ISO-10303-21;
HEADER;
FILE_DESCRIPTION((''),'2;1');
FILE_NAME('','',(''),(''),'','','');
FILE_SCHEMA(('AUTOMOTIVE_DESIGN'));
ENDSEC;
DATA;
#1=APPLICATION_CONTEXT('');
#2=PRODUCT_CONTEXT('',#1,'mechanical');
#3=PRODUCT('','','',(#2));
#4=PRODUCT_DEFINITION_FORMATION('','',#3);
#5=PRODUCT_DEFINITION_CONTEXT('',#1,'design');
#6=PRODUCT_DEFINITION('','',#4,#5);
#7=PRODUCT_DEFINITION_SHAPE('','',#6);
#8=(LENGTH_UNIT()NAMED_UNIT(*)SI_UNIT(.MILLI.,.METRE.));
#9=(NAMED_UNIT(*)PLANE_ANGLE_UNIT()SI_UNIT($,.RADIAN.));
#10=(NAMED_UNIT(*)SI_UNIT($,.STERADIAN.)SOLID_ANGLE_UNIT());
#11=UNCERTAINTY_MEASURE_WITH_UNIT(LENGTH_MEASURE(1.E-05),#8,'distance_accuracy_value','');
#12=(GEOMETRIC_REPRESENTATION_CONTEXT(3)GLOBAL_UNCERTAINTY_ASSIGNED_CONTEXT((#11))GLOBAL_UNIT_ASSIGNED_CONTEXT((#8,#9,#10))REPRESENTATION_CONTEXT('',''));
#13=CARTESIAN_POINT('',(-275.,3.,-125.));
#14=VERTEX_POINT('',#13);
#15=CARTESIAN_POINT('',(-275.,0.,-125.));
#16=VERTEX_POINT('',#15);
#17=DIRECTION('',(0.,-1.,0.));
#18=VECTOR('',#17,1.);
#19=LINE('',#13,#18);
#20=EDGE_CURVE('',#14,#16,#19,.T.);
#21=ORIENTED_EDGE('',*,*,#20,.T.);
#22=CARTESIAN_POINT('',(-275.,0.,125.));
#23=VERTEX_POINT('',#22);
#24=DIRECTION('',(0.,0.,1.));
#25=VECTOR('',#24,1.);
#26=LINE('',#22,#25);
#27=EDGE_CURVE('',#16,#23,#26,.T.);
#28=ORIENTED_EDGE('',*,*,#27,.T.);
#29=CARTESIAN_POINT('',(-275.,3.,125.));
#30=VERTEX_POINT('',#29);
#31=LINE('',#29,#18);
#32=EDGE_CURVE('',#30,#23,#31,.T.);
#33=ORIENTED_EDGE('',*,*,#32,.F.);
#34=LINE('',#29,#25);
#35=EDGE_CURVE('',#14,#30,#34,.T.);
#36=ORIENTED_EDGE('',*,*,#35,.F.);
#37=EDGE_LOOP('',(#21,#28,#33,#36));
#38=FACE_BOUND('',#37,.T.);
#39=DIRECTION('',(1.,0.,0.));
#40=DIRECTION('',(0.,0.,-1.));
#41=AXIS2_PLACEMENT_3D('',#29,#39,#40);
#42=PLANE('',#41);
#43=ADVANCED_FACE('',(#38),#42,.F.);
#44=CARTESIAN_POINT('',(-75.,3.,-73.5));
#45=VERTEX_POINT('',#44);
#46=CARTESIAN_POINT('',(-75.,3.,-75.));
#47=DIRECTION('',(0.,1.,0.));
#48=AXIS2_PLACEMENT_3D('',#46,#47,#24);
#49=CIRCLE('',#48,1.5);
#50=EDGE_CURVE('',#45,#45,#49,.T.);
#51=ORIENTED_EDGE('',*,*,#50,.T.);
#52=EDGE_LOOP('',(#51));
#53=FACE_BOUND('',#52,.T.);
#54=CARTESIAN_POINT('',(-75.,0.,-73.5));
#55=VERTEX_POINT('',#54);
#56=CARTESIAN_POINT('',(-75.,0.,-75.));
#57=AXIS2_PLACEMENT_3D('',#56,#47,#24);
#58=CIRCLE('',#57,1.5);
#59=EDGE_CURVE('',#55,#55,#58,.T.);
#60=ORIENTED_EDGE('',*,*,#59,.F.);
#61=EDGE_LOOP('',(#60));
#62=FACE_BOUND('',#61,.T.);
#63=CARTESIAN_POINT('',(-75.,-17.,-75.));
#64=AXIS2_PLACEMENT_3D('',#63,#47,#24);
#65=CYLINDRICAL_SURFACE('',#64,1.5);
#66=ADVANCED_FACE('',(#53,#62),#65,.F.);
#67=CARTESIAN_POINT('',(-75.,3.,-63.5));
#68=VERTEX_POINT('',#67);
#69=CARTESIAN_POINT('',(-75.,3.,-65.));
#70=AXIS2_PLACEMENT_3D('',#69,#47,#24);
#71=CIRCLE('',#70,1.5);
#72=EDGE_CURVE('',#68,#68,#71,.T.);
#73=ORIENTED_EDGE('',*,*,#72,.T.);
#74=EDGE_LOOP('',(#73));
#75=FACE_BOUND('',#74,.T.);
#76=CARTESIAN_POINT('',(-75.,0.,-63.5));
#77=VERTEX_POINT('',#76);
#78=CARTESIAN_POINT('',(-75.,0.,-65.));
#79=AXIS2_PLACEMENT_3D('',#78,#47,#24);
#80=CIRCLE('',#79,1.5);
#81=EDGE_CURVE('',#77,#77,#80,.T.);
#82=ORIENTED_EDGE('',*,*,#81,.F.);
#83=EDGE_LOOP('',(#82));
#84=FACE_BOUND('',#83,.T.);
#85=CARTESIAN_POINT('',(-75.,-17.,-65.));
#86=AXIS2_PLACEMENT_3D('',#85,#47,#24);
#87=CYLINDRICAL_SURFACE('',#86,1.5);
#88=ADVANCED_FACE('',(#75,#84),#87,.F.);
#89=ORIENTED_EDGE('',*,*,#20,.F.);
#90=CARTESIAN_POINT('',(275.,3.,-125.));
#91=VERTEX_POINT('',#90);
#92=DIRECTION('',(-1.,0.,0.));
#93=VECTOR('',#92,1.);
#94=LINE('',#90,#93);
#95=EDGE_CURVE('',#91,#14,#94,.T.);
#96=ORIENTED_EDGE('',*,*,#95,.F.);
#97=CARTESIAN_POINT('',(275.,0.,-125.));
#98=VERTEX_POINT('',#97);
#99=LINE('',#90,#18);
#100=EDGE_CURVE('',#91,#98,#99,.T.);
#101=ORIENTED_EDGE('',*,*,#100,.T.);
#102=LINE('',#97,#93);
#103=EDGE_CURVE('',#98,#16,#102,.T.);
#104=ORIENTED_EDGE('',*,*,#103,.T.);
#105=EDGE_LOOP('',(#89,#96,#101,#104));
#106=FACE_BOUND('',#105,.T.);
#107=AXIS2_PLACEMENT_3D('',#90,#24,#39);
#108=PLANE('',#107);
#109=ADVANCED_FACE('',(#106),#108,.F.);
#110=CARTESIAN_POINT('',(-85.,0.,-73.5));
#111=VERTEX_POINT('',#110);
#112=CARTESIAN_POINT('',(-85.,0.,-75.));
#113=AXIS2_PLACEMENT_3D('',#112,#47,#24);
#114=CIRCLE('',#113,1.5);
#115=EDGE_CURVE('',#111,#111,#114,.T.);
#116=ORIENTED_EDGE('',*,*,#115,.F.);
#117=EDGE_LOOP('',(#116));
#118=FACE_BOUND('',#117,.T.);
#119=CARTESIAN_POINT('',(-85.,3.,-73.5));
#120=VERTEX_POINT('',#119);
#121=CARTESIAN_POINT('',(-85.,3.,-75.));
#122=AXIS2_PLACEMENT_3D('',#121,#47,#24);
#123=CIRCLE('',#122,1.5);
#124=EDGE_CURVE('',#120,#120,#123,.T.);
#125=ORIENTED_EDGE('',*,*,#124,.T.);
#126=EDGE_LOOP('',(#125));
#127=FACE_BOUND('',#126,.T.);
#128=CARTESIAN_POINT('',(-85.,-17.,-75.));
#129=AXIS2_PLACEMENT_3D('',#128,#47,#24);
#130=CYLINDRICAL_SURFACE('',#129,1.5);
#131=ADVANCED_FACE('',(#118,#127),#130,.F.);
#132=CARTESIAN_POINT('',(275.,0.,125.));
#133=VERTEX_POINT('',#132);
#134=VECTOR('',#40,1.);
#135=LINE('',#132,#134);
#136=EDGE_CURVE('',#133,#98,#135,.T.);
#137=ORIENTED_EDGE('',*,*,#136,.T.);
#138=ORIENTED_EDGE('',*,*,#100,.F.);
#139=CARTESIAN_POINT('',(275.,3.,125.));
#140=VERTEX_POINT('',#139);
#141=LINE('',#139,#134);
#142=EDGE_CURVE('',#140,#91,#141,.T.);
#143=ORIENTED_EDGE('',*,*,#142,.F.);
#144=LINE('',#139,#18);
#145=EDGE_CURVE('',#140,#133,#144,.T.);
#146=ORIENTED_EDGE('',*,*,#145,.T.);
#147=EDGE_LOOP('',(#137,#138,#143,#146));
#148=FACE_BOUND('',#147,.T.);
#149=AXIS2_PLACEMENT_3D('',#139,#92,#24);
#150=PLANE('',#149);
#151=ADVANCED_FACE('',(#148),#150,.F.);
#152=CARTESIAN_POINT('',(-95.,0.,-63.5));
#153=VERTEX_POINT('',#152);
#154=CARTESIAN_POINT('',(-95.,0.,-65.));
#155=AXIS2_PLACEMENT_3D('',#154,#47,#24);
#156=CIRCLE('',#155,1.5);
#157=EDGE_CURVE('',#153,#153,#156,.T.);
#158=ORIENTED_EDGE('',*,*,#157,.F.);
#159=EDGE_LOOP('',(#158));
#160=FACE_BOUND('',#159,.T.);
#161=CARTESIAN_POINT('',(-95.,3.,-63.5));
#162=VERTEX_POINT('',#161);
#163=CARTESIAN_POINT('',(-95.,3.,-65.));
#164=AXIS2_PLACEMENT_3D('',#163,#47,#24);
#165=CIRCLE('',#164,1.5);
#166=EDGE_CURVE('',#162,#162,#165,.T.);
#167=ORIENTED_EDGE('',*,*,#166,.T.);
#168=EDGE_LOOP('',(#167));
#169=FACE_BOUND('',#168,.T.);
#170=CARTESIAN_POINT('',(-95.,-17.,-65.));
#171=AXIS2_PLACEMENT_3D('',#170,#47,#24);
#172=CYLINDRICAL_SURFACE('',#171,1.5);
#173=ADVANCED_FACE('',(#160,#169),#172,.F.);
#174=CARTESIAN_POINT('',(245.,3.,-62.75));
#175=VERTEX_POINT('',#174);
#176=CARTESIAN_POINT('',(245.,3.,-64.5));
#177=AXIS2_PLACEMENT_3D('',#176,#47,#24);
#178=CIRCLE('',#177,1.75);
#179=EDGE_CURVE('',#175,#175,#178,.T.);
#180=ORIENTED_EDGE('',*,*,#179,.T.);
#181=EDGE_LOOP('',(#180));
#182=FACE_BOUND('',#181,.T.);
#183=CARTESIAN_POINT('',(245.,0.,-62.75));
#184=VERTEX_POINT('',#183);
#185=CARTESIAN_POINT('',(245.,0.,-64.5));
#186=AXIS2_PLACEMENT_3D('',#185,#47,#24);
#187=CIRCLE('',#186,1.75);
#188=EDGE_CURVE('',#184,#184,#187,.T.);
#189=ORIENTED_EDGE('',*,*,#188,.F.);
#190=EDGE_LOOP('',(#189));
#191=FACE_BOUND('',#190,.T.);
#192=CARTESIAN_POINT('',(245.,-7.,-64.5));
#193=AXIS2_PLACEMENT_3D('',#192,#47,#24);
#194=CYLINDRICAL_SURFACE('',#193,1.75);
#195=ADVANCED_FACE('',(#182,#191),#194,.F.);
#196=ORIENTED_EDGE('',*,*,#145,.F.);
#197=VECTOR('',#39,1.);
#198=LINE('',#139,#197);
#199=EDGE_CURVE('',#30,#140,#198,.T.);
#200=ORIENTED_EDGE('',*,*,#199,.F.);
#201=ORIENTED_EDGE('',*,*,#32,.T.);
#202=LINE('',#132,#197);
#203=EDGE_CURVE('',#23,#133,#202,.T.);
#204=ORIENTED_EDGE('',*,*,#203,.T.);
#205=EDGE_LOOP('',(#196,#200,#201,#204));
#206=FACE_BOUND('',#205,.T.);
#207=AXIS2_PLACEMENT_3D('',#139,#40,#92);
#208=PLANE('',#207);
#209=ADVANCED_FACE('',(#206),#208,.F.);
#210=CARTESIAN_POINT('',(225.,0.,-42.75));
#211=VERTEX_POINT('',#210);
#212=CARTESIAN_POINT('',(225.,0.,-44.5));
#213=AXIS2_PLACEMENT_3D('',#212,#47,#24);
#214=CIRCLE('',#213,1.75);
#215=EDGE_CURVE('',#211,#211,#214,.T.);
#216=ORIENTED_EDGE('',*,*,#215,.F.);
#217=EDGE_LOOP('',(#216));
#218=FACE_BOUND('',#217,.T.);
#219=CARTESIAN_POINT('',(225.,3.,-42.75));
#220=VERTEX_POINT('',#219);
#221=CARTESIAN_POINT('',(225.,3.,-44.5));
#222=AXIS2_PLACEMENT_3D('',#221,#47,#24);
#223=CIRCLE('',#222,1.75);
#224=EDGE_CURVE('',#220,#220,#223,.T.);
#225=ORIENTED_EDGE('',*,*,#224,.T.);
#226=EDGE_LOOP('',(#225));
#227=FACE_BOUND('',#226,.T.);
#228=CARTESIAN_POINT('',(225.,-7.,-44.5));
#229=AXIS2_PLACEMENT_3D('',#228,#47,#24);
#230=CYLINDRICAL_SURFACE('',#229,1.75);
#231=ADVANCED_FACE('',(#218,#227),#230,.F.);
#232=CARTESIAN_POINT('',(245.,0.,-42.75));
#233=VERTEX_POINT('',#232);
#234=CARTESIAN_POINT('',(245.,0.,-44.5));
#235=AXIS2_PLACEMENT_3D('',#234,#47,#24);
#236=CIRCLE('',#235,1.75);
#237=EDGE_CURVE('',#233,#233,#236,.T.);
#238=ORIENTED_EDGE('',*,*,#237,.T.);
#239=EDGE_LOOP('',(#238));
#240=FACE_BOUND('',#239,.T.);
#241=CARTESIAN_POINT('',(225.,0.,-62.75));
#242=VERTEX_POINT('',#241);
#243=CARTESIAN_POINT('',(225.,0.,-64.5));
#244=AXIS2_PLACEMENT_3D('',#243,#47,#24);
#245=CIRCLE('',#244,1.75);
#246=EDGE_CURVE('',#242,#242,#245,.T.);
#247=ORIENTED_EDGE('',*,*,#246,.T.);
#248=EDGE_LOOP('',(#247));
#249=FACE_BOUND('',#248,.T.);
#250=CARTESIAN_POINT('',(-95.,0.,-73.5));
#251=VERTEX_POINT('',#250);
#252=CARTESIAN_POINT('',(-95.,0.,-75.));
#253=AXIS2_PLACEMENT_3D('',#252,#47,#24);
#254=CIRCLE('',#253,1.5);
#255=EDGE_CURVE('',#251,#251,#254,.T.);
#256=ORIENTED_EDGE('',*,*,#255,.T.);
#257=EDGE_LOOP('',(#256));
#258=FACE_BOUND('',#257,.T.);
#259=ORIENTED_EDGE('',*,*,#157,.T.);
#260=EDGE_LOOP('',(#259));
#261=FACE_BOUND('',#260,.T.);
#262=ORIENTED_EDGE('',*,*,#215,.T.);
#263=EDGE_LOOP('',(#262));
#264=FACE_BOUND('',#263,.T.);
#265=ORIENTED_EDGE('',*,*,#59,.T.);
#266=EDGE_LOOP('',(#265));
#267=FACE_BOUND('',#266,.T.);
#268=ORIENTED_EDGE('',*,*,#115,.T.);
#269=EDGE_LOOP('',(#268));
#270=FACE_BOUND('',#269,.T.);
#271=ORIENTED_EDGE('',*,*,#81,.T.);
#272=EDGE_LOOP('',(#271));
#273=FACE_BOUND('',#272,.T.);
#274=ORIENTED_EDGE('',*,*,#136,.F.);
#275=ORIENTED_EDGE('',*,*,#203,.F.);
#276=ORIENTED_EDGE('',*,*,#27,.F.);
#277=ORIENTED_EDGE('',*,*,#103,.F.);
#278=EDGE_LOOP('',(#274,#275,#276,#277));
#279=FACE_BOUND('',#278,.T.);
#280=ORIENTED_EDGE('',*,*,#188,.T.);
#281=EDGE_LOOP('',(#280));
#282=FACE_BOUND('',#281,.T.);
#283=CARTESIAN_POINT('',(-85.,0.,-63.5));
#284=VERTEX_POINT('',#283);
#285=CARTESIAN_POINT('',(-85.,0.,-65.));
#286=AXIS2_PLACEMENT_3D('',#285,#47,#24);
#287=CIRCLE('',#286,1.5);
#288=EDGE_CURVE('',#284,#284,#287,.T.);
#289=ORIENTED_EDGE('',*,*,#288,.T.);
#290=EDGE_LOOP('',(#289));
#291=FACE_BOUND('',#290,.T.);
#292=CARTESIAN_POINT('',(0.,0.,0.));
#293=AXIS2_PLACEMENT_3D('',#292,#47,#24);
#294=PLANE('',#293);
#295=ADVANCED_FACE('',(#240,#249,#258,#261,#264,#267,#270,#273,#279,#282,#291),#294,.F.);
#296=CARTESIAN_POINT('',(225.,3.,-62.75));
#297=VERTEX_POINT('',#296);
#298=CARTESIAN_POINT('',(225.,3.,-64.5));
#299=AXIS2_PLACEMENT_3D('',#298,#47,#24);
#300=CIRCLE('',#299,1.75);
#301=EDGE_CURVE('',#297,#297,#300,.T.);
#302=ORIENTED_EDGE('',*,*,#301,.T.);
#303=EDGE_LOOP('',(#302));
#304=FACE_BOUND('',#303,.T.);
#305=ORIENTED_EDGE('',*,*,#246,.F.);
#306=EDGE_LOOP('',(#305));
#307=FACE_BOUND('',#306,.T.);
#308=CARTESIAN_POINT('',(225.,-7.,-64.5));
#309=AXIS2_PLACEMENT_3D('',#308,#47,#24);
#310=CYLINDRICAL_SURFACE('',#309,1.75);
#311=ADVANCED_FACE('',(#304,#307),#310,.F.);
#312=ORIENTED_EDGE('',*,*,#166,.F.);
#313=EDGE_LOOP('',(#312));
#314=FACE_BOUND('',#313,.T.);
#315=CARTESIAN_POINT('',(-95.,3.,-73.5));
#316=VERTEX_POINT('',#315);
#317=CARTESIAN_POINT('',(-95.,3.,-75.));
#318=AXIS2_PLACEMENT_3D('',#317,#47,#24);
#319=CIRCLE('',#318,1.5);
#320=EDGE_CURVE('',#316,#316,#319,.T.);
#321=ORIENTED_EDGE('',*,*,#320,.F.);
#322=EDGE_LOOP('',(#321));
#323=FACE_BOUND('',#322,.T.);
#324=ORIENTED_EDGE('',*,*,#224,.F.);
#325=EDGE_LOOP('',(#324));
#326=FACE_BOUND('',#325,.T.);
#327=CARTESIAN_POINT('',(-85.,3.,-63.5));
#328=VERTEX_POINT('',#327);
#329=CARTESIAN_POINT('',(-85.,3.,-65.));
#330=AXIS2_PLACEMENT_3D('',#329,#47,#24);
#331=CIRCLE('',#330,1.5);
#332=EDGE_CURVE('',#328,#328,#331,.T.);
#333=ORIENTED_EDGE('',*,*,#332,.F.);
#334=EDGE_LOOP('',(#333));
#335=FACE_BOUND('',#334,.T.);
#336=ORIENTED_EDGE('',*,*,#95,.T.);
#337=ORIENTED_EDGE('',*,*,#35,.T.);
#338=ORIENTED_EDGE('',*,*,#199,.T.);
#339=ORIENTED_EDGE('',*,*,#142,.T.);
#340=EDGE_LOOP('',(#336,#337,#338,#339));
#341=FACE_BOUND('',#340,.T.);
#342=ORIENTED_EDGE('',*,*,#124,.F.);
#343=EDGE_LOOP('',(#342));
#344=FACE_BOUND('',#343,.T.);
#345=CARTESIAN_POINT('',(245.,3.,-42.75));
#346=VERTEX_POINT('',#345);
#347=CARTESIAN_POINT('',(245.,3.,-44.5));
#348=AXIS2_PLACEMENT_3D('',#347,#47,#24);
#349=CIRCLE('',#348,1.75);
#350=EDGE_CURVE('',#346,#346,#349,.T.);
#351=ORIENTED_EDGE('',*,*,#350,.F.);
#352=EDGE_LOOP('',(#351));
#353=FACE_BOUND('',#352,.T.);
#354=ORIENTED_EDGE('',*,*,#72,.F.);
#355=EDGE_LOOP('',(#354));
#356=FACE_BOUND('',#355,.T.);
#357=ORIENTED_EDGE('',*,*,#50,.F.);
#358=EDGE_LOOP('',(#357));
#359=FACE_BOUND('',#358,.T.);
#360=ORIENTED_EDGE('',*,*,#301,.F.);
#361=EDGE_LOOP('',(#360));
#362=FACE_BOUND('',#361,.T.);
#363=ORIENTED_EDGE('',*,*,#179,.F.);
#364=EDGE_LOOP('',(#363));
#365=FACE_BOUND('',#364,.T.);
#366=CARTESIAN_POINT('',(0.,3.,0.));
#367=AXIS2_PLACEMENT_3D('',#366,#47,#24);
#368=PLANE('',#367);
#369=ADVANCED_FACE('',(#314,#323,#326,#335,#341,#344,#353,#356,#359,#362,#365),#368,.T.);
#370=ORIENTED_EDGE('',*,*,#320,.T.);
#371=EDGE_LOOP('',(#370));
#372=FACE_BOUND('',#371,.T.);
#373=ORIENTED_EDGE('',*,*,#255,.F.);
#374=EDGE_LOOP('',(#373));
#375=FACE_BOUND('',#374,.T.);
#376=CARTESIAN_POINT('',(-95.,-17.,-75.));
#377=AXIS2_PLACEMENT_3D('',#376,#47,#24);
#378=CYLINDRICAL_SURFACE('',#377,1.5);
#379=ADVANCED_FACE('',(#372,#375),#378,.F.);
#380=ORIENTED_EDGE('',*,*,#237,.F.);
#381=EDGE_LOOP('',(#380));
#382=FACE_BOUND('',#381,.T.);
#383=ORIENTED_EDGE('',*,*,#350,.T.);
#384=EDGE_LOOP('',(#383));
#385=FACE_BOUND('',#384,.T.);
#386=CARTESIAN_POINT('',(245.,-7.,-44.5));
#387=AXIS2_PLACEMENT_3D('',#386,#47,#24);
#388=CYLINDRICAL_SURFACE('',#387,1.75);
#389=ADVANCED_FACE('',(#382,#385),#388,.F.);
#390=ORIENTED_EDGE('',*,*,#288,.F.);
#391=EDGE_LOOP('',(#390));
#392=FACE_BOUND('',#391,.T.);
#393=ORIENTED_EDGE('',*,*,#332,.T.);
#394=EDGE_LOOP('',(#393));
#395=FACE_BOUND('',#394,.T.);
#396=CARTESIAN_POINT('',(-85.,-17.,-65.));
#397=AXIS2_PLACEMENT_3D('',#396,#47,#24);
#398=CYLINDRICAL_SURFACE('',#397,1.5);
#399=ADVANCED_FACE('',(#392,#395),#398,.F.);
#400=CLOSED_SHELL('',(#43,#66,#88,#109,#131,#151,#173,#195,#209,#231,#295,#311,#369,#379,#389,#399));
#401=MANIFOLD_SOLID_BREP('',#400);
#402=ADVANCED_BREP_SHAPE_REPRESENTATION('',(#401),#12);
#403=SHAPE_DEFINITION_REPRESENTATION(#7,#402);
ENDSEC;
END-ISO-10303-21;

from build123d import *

# Parameters (mm, degrees)
SKETCH1_W           = 550
SKETCH1_H           = 250
BOSS_EXTRUDE1_DEPTH = 3
SKETCH2_R           = 1.75
CUT_EXTRUDE1_DEPTH  = 10
SKETCH4_R           = 1.5
CUT_EXTRUDE3_DEPTH  = 20


with BuildPart() as part:
    # Sketch1 → Boss-Extrude1 (new body)
    with BuildSketch(Plane(origin=(0, 0, 0), x_dir=(1, 0, 0), z_dir=(0, 1, 0))):
        Rectangle(SKETCH1_W, SKETCH1_H)
    extrude(amount=BOSS_EXTRUDE1_DEPTH)

    # Sketch2 → Cut-Extrude1 (cut)
    with BuildSketch(Plane(origin=(0, 3, 0), x_dir=(1, 0, 0), z_dir=(0, 1, 0))):
        with Locations((225, 64.5)):
            Circle(SKETCH2_R)
        with Locations((245, 64.5)):
            Circle(SKETCH2_R)
        with Locations((225, 44.5)):
            Circle(SKETCH2_R)
        with Locations((245, 44.5)):
            Circle(SKETCH2_R)
    extrude(amount=-CUT_EXTRUDE1_DEPTH, mode=Mode.SUBTRACT)

    # Sketch4 → Cut-Extrude3 (cut)
    with BuildSketch(Plane(origin=(0, 3, 0), x_dir=(1, 0, 0), z_dir=(0, 1, 0))):
        with Locations((-95, 65)):
            Circle(SKETCH4_R)
        with Locations((-85, 65)):
            Circle(SKETCH4_R)
        with Locations((-75, 65)):
            Circle(SKETCH4_R)
        with Locations((-85, 75)):
            Circle(SKETCH4_R)
        with Locations((-75, 75)):
            Circle(SKETCH4_R)
        with Locations((-95, 75)):
            Circle(SKETCH4_R)
    extrude(amount=-CUT_EXTRUDE3_DEPTH, mode=Mode.SUBTRACT)


solid = part.part
